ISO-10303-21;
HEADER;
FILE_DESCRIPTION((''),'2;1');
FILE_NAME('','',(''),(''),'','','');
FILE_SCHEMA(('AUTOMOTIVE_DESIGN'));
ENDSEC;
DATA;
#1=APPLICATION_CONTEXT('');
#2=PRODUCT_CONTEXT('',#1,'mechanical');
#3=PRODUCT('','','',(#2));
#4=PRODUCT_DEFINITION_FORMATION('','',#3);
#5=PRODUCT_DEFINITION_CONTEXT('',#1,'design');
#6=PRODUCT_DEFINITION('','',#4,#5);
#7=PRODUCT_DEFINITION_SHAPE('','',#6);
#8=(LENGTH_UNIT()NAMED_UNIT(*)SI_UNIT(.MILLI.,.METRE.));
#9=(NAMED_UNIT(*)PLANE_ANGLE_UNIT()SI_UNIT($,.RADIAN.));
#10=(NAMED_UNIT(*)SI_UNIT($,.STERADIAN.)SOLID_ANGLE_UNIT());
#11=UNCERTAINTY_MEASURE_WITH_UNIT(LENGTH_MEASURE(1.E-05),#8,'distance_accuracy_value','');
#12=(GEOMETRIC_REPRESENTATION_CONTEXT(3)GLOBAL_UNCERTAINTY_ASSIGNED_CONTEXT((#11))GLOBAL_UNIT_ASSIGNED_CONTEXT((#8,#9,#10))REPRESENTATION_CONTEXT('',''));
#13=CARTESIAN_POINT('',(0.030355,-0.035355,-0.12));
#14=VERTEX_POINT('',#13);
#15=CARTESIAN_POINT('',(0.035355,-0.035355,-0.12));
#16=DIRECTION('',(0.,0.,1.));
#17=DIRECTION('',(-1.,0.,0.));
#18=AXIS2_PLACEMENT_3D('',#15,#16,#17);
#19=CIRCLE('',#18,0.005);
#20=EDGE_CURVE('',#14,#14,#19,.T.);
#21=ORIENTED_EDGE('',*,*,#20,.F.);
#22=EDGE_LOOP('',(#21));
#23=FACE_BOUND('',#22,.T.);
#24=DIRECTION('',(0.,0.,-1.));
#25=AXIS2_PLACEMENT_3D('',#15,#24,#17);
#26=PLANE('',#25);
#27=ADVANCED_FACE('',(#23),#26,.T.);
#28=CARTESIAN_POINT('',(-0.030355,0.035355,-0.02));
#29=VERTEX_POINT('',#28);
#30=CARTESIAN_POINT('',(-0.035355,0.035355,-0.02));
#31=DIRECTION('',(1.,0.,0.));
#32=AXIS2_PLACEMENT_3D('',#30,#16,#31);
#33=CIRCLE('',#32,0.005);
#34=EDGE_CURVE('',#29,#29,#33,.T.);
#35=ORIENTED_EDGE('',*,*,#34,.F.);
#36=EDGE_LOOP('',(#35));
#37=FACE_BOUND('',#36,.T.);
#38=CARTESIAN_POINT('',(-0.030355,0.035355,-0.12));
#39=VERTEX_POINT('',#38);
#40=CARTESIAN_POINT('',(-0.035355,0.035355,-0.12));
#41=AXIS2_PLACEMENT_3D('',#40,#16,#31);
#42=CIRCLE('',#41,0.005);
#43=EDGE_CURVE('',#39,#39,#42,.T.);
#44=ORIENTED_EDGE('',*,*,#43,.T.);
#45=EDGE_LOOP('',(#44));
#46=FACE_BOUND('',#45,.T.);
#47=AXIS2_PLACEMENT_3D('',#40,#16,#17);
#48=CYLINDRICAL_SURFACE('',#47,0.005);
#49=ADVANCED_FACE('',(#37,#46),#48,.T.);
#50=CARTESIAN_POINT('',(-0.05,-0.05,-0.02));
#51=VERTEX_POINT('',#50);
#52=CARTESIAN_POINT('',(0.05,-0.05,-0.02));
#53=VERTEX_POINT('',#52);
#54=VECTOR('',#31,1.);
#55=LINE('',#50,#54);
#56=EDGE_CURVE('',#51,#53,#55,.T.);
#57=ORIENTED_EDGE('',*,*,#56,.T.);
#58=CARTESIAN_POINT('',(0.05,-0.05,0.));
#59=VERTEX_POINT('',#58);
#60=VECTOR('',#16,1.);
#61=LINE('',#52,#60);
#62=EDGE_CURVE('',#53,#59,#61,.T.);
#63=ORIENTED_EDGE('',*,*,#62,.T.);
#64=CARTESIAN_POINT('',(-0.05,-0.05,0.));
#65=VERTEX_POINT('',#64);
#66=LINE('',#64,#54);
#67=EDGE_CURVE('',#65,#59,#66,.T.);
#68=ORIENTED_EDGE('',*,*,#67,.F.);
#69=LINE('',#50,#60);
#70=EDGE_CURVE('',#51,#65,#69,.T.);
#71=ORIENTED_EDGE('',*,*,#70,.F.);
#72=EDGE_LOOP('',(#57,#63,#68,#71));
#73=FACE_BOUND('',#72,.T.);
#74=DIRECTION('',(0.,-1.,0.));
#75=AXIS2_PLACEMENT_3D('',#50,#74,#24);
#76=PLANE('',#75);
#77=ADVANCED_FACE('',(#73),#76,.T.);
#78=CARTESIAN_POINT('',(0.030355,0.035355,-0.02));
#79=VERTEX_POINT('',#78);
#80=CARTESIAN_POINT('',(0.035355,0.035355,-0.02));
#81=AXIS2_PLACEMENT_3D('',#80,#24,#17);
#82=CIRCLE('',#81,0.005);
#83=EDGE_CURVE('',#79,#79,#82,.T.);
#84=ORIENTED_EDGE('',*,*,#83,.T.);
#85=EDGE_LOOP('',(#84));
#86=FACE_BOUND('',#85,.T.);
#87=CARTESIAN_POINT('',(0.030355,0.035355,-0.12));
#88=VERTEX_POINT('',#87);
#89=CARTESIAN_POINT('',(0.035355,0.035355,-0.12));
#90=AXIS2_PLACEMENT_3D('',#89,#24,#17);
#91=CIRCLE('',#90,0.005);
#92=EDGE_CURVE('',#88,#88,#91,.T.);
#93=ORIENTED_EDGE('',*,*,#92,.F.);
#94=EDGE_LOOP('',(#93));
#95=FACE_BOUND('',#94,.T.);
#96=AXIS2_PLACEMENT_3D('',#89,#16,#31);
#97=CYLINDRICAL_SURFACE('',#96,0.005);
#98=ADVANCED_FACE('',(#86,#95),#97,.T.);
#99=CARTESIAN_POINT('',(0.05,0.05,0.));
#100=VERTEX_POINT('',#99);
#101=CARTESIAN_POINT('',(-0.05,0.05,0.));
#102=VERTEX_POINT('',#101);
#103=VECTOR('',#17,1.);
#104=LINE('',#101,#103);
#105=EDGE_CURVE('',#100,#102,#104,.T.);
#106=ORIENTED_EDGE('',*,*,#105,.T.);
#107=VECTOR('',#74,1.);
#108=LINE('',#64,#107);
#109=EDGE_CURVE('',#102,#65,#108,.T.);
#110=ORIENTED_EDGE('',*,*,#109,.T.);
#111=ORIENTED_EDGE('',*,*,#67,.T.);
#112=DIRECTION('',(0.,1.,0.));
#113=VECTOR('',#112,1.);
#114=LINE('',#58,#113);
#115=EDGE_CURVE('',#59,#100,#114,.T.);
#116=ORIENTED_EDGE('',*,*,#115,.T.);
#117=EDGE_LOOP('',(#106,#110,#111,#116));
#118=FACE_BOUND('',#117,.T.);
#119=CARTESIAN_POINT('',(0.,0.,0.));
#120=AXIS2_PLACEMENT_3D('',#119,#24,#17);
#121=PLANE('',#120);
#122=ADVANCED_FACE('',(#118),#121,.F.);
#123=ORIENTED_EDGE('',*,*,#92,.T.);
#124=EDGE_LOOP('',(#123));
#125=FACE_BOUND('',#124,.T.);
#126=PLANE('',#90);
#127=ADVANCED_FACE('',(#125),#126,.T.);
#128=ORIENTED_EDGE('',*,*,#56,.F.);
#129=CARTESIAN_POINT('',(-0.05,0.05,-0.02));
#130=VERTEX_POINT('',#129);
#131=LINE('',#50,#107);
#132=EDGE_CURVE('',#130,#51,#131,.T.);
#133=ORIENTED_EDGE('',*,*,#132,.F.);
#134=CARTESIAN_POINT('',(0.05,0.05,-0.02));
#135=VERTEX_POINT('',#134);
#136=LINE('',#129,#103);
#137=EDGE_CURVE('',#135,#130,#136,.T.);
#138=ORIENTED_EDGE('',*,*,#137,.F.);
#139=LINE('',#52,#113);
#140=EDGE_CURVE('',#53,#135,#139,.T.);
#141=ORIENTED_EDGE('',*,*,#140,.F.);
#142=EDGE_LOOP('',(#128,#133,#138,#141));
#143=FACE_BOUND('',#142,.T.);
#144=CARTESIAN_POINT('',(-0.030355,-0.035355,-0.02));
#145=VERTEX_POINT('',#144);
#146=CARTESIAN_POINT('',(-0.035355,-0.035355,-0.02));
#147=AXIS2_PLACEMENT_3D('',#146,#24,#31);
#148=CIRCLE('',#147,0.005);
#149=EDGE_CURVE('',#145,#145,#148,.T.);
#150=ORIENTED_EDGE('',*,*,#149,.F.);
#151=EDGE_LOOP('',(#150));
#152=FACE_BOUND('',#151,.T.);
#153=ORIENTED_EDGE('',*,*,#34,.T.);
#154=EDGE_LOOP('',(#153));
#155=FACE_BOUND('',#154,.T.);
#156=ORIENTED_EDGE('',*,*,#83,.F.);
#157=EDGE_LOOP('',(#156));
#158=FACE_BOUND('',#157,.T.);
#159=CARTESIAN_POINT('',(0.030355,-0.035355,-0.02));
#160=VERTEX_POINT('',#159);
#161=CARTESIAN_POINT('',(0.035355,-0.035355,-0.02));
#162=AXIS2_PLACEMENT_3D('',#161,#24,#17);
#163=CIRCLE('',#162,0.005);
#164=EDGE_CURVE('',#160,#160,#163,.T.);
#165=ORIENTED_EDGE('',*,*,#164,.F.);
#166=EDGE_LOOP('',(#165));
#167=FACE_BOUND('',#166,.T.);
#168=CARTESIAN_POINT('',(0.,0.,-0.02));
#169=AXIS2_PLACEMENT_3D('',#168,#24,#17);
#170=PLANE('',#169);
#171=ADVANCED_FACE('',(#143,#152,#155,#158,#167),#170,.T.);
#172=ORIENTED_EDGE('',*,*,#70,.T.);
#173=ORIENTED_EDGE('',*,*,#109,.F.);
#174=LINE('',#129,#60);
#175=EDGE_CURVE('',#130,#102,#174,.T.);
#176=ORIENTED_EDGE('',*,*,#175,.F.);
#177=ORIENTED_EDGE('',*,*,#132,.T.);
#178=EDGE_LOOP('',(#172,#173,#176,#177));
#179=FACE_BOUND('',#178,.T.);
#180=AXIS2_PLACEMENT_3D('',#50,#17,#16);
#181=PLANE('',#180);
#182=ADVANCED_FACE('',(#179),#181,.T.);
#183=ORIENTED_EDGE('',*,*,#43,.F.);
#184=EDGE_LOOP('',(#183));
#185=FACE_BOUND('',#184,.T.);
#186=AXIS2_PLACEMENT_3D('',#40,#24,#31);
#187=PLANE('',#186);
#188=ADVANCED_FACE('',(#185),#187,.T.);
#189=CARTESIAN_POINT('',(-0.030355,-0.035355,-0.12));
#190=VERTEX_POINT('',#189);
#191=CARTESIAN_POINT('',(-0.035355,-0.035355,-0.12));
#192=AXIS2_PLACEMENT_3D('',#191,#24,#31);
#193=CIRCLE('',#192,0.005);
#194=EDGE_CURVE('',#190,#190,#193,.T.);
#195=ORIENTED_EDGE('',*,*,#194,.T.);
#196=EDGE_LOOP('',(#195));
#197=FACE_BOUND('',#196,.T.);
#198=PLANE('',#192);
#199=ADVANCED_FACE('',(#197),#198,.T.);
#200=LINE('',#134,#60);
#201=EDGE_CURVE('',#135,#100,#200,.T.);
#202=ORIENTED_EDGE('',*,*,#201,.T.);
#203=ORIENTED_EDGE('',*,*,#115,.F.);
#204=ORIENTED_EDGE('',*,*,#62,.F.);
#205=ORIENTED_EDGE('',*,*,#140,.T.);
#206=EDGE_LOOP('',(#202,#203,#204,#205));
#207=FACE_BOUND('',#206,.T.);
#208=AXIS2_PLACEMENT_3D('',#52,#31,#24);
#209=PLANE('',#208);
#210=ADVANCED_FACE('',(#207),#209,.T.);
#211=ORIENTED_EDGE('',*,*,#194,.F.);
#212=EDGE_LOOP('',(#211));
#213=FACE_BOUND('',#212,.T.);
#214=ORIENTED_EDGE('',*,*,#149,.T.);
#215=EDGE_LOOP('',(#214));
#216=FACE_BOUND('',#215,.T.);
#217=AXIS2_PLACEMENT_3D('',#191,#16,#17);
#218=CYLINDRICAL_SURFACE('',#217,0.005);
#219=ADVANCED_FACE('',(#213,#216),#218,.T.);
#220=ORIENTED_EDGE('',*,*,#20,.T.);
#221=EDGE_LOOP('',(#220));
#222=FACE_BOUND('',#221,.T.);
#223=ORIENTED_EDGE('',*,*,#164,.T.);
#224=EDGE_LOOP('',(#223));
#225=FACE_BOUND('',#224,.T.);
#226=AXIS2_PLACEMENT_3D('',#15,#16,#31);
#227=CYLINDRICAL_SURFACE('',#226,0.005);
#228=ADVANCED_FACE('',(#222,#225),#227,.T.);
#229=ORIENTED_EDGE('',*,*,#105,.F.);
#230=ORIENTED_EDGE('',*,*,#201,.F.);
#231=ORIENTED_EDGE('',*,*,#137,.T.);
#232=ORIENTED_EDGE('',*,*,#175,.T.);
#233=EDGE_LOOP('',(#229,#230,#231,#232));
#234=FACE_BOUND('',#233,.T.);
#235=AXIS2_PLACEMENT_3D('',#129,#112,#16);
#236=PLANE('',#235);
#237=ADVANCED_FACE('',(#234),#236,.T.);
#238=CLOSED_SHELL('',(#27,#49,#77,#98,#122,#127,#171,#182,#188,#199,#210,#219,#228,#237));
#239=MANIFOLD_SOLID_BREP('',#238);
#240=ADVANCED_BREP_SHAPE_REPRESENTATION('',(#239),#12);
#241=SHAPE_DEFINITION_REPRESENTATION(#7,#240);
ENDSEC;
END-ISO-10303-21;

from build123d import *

# Parameters (mm, degrees)
SKETCH1_W               = 0.1
SKETCH1_H               = 0.1
BOSS_EXTRUDE1_DEPTH     = 0.02
SKETCH3_R               = 0.005
BOSS_EXTRUDE2_DEPTH     = 0.1
MIRROR2_COPY_1_SKETCH_R = 0.005
MIRROR2_COPY_1_DEPTH    = 0.1


with BuildPart() as part:
    # Sketch1 → Boss-Extrude1 (new body)
    with BuildSketch(Plane.XY):
        Rectangle(SKETCH1_W, SKETCH1_H)
    extrude(amount=-BOSS_EXTRUDE1_DEPTH)

    # Sketch3 → Boss-Extrude2 (add)
    with BuildSketch(Plane(origin=(0, 0, -0.02), x_dir=(-1, 0, 0), z_dir=(0, 0, -1))):
        with Locations((-0.035355339, 0.035355339)):
            Circle(SKETCH3_R)
    boss_extrude2 = extrude(amount=BOSS_EXTRUDE2_DEPTH)

    # Mirror1: Boss-Extrude2 across plane
    add(boss_extrude2.mirror(Plane(origin=(0, 0, 0), x_dir=(0, 0, 1), z_dir=(1, 0, 0))))

    # Mirror2: Boss-Extrude2 across plane
    add(boss_extrude2.mirror(Plane.ZX))

    # Mirror2 copy 1 sketch → Mirror2 copy 1 (add)
    with BuildSketch(Plane(origin=(0, 0, -0.02), x_dir=(1, 0, 0), z_dir=(0, 0, -1))):
        with Locations((-0.035355339, 0.035355339)):
            Circle(MIRROR2_COPY_1_SKETCH_R)
    extrude(amount=MIRROR2_COPY_1_DEPTH)


solid = part.part
